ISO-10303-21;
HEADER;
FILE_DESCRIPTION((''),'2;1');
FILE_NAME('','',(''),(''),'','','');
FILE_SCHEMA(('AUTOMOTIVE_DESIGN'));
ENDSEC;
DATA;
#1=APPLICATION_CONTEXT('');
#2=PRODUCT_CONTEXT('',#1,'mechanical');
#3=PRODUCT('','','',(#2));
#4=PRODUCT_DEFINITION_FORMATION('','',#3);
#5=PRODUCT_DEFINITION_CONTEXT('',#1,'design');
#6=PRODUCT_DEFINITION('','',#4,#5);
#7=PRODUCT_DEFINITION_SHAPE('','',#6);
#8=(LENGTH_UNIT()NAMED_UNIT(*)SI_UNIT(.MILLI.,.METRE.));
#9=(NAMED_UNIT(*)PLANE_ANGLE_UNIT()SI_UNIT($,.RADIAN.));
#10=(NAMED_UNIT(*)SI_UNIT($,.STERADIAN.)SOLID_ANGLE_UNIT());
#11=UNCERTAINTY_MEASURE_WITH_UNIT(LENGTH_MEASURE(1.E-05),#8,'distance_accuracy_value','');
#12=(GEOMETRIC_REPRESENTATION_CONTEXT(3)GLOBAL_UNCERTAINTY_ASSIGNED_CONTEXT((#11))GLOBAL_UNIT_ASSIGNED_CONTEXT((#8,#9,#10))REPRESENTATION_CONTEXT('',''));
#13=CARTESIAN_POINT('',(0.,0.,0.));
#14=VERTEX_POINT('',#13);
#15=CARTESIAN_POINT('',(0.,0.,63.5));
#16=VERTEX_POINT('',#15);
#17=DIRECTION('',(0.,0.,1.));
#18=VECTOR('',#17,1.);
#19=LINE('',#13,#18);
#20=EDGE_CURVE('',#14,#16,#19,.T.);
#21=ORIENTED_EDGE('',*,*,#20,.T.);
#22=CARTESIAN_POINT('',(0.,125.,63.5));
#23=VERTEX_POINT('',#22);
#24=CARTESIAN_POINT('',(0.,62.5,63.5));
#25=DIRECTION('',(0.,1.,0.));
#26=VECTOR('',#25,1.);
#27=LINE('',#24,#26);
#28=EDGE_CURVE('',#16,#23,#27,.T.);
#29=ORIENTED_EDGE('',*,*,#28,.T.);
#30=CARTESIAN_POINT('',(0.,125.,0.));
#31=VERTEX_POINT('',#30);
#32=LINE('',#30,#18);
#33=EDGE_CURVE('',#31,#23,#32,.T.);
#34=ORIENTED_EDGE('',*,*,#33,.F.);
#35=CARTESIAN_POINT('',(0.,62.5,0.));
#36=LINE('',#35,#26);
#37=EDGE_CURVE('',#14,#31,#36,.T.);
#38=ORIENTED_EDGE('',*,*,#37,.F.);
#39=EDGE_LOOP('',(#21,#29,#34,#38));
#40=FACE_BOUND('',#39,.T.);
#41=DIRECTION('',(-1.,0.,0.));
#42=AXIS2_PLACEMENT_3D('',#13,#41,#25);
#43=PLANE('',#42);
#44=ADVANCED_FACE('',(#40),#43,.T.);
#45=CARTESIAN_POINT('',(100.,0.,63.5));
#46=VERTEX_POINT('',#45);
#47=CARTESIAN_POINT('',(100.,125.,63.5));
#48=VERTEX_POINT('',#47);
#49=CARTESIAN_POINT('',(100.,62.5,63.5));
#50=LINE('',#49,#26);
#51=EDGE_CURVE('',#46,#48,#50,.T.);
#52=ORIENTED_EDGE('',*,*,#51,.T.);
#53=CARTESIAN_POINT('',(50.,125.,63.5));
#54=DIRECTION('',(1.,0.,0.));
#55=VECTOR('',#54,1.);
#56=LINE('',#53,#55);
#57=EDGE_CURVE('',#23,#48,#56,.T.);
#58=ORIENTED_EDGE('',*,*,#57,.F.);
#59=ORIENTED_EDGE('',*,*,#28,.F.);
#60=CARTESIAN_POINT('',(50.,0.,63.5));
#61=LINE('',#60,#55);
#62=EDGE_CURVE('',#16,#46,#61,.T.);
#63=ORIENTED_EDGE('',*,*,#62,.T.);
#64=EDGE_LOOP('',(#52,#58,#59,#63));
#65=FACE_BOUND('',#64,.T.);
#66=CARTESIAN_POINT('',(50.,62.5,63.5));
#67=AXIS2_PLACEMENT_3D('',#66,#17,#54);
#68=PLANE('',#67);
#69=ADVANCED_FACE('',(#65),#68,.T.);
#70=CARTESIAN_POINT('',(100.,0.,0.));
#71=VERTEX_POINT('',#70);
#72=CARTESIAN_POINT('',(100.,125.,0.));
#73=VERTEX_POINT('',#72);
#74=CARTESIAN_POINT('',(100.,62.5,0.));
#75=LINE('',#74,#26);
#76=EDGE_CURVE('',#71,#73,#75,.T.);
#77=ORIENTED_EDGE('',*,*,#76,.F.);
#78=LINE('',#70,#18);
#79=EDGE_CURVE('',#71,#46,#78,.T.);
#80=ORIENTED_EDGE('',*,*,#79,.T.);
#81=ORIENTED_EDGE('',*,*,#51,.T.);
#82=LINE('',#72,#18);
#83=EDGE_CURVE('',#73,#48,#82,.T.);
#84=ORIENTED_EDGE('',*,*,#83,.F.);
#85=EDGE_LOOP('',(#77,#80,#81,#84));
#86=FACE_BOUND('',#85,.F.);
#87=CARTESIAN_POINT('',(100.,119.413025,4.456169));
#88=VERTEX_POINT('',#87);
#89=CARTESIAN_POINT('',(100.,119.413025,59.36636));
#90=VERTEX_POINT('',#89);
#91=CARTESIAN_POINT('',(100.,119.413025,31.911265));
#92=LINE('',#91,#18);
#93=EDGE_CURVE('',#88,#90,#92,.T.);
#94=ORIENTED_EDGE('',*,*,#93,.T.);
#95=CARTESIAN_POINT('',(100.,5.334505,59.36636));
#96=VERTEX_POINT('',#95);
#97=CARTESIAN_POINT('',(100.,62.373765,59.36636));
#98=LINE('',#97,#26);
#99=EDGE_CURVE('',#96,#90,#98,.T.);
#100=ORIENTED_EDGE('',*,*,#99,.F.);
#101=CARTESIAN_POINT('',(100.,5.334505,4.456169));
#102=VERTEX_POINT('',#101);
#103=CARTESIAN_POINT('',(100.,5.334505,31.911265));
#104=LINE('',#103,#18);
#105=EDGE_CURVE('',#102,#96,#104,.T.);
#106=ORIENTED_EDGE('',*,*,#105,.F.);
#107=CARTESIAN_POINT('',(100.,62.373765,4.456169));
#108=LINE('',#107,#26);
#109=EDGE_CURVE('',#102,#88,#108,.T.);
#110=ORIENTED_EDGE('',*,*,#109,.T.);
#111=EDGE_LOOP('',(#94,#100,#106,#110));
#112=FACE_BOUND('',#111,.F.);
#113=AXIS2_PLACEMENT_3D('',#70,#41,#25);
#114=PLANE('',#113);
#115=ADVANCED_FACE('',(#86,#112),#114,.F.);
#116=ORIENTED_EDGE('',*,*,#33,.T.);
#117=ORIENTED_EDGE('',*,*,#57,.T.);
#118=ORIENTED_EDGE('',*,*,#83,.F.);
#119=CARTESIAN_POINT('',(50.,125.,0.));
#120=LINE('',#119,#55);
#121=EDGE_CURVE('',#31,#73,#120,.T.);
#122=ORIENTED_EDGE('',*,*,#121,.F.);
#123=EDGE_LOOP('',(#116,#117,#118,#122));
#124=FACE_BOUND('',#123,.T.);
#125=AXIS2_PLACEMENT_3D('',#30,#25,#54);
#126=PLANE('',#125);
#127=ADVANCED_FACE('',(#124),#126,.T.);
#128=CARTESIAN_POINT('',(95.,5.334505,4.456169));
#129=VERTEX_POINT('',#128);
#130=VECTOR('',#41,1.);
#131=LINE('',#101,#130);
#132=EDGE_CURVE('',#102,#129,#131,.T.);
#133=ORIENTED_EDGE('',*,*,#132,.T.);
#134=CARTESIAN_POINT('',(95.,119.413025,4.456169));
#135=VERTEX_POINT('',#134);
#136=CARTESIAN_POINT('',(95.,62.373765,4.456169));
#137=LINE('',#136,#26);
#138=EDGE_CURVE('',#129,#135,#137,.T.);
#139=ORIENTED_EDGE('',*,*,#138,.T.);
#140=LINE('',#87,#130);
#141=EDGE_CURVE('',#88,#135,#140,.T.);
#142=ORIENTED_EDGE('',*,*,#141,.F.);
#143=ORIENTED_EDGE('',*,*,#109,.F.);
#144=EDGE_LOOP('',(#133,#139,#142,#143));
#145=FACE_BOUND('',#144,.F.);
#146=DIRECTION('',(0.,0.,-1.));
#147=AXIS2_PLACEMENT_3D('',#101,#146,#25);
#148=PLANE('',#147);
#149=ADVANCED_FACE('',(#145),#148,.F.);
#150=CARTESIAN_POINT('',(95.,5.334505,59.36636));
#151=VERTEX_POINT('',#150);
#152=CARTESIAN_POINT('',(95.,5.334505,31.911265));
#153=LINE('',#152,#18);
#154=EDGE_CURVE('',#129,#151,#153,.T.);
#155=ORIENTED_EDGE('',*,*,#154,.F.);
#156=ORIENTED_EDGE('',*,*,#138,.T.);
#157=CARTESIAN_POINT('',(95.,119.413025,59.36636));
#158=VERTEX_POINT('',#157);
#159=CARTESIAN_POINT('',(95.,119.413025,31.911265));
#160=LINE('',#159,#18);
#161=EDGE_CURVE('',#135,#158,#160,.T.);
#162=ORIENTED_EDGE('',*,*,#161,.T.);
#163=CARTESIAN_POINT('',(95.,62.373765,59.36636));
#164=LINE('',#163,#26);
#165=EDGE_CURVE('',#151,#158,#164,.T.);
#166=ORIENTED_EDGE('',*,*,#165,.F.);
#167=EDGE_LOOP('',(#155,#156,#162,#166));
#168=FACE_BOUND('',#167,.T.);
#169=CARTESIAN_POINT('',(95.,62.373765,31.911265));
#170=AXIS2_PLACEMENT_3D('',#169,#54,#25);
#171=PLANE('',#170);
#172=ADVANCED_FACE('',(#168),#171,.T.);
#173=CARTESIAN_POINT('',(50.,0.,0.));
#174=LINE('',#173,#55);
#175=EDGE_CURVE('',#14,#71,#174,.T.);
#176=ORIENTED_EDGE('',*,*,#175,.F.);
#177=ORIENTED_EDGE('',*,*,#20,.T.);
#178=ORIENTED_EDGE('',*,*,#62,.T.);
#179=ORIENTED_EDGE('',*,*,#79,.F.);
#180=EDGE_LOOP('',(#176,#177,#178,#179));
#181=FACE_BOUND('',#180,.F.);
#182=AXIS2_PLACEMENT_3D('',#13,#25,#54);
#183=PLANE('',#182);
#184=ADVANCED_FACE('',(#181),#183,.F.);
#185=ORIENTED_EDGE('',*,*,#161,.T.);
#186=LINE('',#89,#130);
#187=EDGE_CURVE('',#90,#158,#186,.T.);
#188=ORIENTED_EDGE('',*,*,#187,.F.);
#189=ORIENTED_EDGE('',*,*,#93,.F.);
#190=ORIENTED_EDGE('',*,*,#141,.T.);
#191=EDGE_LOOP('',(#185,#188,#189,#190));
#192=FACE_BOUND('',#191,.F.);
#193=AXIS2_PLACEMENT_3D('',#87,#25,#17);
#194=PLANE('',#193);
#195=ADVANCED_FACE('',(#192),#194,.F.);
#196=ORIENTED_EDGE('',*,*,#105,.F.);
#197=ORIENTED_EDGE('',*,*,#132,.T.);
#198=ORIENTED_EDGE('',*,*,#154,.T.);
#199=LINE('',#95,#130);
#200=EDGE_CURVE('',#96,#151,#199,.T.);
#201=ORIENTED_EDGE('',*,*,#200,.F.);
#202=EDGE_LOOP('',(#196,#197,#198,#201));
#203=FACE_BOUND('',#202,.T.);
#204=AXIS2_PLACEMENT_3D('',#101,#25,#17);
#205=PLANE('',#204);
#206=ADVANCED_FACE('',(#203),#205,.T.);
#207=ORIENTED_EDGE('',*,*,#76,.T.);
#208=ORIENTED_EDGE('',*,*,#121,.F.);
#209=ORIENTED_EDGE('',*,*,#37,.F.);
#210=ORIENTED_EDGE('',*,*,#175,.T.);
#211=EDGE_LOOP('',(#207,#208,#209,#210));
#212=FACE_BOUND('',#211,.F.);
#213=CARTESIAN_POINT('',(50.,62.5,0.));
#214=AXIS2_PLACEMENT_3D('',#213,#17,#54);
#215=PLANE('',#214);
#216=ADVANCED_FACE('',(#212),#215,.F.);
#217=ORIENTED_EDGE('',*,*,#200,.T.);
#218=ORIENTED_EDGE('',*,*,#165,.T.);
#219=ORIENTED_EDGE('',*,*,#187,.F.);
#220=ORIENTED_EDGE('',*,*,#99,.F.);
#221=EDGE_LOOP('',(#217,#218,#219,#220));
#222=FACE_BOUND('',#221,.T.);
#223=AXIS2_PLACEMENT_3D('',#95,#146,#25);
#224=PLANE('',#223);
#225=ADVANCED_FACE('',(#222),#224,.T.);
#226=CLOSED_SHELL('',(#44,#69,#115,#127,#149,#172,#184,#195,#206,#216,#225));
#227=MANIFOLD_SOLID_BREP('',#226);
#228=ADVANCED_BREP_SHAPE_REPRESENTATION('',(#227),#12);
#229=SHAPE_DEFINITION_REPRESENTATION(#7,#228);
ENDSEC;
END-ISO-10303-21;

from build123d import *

# Parameters (mm, degrees)
SKETCH_W     = 100
SKETCH_H     = 125
PAD_DEPTH    = 63.5
SKETCH001_W  = 114.07852
SKETCH001_H  = 54.910191
POCKET_DEPTH = 5


with BuildPart() as part:
    # Sketch → Pad (new body)
    with BuildSketch(Plane.XY):
        with Locations((50, 62.5)):
            Rectangle(SKETCH_W, SKETCH_H)
    extrude(amount=PAD_DEPTH)

    # Sketch001 (on Face2 of Pad) → Pocket (cut)
    with BuildSketch(Plane.YZ.offset(100)):
        with Locations((62.373765, 31.911265)):
            Rectangle(SKETCH001_W, SKETCH001_H)
    extrude(amount=-POCKET_DEPTH, mode=Mode.SUBTRACT)


solid = part.part
